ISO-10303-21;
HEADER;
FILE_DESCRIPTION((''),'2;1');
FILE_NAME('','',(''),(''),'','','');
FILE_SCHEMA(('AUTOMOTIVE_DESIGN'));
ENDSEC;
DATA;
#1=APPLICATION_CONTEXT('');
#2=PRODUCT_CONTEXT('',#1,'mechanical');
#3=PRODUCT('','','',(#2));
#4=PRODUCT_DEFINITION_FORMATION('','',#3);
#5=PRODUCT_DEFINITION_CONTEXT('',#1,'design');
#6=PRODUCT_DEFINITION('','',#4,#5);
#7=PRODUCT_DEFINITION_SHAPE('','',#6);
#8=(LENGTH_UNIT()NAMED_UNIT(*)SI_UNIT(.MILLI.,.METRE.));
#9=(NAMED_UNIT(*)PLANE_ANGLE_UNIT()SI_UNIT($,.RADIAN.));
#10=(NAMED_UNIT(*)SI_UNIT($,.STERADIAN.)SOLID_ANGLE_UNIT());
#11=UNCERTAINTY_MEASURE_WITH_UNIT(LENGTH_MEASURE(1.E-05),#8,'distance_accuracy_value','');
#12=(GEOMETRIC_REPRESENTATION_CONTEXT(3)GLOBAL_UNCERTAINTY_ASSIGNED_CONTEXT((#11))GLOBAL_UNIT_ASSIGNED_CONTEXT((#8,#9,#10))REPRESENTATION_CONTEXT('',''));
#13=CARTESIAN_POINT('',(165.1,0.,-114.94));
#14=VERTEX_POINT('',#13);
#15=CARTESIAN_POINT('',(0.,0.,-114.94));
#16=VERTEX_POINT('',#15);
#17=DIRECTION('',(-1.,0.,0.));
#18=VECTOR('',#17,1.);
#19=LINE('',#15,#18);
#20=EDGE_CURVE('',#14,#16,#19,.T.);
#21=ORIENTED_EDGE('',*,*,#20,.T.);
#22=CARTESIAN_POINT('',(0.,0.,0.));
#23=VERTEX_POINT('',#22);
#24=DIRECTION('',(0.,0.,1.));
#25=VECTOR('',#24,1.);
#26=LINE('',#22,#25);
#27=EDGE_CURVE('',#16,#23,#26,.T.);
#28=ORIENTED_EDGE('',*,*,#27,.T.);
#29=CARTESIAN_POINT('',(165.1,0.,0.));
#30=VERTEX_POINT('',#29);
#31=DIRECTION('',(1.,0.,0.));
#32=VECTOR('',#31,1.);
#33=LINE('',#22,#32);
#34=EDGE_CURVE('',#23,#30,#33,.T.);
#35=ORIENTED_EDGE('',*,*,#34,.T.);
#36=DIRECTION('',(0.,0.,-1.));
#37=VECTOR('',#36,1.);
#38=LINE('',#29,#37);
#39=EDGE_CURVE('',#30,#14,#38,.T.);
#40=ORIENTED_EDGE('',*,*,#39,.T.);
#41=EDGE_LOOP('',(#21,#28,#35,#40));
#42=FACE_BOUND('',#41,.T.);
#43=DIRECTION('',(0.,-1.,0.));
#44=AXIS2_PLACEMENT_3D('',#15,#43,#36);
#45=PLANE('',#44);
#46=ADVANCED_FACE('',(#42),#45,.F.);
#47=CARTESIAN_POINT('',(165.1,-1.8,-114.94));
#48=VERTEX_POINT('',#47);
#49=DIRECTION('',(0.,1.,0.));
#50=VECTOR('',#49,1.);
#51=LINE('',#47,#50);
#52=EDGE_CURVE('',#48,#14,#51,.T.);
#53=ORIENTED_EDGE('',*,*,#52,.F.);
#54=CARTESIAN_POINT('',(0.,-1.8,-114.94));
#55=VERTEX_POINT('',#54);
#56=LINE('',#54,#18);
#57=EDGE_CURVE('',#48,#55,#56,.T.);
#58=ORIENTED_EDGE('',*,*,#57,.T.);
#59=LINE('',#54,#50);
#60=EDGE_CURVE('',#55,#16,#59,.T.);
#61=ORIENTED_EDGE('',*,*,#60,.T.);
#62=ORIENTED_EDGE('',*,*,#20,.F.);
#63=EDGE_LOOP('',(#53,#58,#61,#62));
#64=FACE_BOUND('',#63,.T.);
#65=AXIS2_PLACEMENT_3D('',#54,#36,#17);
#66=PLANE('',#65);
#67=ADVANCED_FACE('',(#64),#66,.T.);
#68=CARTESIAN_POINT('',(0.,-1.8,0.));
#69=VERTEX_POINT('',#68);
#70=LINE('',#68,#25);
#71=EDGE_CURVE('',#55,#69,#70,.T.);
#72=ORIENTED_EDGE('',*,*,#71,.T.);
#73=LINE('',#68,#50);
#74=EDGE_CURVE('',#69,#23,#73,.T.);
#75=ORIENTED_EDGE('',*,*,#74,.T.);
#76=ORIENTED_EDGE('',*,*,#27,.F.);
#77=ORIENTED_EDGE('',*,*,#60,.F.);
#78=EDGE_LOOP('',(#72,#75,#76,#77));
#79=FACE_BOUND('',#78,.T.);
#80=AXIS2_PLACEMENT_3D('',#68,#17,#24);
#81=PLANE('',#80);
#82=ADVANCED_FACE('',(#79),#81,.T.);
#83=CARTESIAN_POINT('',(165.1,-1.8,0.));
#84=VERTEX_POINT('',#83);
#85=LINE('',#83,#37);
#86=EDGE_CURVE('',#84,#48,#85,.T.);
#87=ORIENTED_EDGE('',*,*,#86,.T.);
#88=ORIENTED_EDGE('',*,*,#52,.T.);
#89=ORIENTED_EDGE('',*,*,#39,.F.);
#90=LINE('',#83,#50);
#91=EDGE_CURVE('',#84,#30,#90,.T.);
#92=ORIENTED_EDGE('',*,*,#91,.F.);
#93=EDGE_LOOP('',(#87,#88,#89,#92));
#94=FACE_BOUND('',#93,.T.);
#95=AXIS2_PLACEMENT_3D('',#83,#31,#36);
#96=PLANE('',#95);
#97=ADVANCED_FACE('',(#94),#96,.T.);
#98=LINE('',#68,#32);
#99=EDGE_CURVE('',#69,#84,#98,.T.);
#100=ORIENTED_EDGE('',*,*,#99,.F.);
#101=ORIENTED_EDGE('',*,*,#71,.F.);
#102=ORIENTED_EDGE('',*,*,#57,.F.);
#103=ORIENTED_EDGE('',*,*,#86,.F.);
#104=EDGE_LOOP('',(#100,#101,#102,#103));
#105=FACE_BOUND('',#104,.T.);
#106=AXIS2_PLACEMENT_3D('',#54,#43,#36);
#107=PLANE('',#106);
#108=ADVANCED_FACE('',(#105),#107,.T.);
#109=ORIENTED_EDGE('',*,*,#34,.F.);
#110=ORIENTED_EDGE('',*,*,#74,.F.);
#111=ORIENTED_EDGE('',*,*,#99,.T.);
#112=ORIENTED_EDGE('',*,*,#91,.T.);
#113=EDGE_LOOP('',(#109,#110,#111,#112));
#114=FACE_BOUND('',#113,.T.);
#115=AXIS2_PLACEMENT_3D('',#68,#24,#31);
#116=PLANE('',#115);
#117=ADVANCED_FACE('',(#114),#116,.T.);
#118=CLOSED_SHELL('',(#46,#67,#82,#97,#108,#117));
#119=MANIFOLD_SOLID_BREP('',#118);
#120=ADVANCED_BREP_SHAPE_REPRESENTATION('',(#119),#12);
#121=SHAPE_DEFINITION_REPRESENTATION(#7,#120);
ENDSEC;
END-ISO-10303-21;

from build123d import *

# Parameters (mm, degrees)
SKETCH1_W      = 165.1
SKETCH1_H      = 114.94
EXTRUDE1_DEPTH = 1.8


with BuildPart() as part:
    # Sketch1 → Extrude1 (new body)
    with BuildSketch(Plane(origin=(0, 0, 0), x_dir=(1, 0, 0), z_dir=(0, 1, 0))):
        with Locations((82.55, 57.47)):
            Rectangle(SKETCH1_W, SKETCH1_H)
    extrude(amount=-EXTRUDE1_DEPTH)


solid = part.part
